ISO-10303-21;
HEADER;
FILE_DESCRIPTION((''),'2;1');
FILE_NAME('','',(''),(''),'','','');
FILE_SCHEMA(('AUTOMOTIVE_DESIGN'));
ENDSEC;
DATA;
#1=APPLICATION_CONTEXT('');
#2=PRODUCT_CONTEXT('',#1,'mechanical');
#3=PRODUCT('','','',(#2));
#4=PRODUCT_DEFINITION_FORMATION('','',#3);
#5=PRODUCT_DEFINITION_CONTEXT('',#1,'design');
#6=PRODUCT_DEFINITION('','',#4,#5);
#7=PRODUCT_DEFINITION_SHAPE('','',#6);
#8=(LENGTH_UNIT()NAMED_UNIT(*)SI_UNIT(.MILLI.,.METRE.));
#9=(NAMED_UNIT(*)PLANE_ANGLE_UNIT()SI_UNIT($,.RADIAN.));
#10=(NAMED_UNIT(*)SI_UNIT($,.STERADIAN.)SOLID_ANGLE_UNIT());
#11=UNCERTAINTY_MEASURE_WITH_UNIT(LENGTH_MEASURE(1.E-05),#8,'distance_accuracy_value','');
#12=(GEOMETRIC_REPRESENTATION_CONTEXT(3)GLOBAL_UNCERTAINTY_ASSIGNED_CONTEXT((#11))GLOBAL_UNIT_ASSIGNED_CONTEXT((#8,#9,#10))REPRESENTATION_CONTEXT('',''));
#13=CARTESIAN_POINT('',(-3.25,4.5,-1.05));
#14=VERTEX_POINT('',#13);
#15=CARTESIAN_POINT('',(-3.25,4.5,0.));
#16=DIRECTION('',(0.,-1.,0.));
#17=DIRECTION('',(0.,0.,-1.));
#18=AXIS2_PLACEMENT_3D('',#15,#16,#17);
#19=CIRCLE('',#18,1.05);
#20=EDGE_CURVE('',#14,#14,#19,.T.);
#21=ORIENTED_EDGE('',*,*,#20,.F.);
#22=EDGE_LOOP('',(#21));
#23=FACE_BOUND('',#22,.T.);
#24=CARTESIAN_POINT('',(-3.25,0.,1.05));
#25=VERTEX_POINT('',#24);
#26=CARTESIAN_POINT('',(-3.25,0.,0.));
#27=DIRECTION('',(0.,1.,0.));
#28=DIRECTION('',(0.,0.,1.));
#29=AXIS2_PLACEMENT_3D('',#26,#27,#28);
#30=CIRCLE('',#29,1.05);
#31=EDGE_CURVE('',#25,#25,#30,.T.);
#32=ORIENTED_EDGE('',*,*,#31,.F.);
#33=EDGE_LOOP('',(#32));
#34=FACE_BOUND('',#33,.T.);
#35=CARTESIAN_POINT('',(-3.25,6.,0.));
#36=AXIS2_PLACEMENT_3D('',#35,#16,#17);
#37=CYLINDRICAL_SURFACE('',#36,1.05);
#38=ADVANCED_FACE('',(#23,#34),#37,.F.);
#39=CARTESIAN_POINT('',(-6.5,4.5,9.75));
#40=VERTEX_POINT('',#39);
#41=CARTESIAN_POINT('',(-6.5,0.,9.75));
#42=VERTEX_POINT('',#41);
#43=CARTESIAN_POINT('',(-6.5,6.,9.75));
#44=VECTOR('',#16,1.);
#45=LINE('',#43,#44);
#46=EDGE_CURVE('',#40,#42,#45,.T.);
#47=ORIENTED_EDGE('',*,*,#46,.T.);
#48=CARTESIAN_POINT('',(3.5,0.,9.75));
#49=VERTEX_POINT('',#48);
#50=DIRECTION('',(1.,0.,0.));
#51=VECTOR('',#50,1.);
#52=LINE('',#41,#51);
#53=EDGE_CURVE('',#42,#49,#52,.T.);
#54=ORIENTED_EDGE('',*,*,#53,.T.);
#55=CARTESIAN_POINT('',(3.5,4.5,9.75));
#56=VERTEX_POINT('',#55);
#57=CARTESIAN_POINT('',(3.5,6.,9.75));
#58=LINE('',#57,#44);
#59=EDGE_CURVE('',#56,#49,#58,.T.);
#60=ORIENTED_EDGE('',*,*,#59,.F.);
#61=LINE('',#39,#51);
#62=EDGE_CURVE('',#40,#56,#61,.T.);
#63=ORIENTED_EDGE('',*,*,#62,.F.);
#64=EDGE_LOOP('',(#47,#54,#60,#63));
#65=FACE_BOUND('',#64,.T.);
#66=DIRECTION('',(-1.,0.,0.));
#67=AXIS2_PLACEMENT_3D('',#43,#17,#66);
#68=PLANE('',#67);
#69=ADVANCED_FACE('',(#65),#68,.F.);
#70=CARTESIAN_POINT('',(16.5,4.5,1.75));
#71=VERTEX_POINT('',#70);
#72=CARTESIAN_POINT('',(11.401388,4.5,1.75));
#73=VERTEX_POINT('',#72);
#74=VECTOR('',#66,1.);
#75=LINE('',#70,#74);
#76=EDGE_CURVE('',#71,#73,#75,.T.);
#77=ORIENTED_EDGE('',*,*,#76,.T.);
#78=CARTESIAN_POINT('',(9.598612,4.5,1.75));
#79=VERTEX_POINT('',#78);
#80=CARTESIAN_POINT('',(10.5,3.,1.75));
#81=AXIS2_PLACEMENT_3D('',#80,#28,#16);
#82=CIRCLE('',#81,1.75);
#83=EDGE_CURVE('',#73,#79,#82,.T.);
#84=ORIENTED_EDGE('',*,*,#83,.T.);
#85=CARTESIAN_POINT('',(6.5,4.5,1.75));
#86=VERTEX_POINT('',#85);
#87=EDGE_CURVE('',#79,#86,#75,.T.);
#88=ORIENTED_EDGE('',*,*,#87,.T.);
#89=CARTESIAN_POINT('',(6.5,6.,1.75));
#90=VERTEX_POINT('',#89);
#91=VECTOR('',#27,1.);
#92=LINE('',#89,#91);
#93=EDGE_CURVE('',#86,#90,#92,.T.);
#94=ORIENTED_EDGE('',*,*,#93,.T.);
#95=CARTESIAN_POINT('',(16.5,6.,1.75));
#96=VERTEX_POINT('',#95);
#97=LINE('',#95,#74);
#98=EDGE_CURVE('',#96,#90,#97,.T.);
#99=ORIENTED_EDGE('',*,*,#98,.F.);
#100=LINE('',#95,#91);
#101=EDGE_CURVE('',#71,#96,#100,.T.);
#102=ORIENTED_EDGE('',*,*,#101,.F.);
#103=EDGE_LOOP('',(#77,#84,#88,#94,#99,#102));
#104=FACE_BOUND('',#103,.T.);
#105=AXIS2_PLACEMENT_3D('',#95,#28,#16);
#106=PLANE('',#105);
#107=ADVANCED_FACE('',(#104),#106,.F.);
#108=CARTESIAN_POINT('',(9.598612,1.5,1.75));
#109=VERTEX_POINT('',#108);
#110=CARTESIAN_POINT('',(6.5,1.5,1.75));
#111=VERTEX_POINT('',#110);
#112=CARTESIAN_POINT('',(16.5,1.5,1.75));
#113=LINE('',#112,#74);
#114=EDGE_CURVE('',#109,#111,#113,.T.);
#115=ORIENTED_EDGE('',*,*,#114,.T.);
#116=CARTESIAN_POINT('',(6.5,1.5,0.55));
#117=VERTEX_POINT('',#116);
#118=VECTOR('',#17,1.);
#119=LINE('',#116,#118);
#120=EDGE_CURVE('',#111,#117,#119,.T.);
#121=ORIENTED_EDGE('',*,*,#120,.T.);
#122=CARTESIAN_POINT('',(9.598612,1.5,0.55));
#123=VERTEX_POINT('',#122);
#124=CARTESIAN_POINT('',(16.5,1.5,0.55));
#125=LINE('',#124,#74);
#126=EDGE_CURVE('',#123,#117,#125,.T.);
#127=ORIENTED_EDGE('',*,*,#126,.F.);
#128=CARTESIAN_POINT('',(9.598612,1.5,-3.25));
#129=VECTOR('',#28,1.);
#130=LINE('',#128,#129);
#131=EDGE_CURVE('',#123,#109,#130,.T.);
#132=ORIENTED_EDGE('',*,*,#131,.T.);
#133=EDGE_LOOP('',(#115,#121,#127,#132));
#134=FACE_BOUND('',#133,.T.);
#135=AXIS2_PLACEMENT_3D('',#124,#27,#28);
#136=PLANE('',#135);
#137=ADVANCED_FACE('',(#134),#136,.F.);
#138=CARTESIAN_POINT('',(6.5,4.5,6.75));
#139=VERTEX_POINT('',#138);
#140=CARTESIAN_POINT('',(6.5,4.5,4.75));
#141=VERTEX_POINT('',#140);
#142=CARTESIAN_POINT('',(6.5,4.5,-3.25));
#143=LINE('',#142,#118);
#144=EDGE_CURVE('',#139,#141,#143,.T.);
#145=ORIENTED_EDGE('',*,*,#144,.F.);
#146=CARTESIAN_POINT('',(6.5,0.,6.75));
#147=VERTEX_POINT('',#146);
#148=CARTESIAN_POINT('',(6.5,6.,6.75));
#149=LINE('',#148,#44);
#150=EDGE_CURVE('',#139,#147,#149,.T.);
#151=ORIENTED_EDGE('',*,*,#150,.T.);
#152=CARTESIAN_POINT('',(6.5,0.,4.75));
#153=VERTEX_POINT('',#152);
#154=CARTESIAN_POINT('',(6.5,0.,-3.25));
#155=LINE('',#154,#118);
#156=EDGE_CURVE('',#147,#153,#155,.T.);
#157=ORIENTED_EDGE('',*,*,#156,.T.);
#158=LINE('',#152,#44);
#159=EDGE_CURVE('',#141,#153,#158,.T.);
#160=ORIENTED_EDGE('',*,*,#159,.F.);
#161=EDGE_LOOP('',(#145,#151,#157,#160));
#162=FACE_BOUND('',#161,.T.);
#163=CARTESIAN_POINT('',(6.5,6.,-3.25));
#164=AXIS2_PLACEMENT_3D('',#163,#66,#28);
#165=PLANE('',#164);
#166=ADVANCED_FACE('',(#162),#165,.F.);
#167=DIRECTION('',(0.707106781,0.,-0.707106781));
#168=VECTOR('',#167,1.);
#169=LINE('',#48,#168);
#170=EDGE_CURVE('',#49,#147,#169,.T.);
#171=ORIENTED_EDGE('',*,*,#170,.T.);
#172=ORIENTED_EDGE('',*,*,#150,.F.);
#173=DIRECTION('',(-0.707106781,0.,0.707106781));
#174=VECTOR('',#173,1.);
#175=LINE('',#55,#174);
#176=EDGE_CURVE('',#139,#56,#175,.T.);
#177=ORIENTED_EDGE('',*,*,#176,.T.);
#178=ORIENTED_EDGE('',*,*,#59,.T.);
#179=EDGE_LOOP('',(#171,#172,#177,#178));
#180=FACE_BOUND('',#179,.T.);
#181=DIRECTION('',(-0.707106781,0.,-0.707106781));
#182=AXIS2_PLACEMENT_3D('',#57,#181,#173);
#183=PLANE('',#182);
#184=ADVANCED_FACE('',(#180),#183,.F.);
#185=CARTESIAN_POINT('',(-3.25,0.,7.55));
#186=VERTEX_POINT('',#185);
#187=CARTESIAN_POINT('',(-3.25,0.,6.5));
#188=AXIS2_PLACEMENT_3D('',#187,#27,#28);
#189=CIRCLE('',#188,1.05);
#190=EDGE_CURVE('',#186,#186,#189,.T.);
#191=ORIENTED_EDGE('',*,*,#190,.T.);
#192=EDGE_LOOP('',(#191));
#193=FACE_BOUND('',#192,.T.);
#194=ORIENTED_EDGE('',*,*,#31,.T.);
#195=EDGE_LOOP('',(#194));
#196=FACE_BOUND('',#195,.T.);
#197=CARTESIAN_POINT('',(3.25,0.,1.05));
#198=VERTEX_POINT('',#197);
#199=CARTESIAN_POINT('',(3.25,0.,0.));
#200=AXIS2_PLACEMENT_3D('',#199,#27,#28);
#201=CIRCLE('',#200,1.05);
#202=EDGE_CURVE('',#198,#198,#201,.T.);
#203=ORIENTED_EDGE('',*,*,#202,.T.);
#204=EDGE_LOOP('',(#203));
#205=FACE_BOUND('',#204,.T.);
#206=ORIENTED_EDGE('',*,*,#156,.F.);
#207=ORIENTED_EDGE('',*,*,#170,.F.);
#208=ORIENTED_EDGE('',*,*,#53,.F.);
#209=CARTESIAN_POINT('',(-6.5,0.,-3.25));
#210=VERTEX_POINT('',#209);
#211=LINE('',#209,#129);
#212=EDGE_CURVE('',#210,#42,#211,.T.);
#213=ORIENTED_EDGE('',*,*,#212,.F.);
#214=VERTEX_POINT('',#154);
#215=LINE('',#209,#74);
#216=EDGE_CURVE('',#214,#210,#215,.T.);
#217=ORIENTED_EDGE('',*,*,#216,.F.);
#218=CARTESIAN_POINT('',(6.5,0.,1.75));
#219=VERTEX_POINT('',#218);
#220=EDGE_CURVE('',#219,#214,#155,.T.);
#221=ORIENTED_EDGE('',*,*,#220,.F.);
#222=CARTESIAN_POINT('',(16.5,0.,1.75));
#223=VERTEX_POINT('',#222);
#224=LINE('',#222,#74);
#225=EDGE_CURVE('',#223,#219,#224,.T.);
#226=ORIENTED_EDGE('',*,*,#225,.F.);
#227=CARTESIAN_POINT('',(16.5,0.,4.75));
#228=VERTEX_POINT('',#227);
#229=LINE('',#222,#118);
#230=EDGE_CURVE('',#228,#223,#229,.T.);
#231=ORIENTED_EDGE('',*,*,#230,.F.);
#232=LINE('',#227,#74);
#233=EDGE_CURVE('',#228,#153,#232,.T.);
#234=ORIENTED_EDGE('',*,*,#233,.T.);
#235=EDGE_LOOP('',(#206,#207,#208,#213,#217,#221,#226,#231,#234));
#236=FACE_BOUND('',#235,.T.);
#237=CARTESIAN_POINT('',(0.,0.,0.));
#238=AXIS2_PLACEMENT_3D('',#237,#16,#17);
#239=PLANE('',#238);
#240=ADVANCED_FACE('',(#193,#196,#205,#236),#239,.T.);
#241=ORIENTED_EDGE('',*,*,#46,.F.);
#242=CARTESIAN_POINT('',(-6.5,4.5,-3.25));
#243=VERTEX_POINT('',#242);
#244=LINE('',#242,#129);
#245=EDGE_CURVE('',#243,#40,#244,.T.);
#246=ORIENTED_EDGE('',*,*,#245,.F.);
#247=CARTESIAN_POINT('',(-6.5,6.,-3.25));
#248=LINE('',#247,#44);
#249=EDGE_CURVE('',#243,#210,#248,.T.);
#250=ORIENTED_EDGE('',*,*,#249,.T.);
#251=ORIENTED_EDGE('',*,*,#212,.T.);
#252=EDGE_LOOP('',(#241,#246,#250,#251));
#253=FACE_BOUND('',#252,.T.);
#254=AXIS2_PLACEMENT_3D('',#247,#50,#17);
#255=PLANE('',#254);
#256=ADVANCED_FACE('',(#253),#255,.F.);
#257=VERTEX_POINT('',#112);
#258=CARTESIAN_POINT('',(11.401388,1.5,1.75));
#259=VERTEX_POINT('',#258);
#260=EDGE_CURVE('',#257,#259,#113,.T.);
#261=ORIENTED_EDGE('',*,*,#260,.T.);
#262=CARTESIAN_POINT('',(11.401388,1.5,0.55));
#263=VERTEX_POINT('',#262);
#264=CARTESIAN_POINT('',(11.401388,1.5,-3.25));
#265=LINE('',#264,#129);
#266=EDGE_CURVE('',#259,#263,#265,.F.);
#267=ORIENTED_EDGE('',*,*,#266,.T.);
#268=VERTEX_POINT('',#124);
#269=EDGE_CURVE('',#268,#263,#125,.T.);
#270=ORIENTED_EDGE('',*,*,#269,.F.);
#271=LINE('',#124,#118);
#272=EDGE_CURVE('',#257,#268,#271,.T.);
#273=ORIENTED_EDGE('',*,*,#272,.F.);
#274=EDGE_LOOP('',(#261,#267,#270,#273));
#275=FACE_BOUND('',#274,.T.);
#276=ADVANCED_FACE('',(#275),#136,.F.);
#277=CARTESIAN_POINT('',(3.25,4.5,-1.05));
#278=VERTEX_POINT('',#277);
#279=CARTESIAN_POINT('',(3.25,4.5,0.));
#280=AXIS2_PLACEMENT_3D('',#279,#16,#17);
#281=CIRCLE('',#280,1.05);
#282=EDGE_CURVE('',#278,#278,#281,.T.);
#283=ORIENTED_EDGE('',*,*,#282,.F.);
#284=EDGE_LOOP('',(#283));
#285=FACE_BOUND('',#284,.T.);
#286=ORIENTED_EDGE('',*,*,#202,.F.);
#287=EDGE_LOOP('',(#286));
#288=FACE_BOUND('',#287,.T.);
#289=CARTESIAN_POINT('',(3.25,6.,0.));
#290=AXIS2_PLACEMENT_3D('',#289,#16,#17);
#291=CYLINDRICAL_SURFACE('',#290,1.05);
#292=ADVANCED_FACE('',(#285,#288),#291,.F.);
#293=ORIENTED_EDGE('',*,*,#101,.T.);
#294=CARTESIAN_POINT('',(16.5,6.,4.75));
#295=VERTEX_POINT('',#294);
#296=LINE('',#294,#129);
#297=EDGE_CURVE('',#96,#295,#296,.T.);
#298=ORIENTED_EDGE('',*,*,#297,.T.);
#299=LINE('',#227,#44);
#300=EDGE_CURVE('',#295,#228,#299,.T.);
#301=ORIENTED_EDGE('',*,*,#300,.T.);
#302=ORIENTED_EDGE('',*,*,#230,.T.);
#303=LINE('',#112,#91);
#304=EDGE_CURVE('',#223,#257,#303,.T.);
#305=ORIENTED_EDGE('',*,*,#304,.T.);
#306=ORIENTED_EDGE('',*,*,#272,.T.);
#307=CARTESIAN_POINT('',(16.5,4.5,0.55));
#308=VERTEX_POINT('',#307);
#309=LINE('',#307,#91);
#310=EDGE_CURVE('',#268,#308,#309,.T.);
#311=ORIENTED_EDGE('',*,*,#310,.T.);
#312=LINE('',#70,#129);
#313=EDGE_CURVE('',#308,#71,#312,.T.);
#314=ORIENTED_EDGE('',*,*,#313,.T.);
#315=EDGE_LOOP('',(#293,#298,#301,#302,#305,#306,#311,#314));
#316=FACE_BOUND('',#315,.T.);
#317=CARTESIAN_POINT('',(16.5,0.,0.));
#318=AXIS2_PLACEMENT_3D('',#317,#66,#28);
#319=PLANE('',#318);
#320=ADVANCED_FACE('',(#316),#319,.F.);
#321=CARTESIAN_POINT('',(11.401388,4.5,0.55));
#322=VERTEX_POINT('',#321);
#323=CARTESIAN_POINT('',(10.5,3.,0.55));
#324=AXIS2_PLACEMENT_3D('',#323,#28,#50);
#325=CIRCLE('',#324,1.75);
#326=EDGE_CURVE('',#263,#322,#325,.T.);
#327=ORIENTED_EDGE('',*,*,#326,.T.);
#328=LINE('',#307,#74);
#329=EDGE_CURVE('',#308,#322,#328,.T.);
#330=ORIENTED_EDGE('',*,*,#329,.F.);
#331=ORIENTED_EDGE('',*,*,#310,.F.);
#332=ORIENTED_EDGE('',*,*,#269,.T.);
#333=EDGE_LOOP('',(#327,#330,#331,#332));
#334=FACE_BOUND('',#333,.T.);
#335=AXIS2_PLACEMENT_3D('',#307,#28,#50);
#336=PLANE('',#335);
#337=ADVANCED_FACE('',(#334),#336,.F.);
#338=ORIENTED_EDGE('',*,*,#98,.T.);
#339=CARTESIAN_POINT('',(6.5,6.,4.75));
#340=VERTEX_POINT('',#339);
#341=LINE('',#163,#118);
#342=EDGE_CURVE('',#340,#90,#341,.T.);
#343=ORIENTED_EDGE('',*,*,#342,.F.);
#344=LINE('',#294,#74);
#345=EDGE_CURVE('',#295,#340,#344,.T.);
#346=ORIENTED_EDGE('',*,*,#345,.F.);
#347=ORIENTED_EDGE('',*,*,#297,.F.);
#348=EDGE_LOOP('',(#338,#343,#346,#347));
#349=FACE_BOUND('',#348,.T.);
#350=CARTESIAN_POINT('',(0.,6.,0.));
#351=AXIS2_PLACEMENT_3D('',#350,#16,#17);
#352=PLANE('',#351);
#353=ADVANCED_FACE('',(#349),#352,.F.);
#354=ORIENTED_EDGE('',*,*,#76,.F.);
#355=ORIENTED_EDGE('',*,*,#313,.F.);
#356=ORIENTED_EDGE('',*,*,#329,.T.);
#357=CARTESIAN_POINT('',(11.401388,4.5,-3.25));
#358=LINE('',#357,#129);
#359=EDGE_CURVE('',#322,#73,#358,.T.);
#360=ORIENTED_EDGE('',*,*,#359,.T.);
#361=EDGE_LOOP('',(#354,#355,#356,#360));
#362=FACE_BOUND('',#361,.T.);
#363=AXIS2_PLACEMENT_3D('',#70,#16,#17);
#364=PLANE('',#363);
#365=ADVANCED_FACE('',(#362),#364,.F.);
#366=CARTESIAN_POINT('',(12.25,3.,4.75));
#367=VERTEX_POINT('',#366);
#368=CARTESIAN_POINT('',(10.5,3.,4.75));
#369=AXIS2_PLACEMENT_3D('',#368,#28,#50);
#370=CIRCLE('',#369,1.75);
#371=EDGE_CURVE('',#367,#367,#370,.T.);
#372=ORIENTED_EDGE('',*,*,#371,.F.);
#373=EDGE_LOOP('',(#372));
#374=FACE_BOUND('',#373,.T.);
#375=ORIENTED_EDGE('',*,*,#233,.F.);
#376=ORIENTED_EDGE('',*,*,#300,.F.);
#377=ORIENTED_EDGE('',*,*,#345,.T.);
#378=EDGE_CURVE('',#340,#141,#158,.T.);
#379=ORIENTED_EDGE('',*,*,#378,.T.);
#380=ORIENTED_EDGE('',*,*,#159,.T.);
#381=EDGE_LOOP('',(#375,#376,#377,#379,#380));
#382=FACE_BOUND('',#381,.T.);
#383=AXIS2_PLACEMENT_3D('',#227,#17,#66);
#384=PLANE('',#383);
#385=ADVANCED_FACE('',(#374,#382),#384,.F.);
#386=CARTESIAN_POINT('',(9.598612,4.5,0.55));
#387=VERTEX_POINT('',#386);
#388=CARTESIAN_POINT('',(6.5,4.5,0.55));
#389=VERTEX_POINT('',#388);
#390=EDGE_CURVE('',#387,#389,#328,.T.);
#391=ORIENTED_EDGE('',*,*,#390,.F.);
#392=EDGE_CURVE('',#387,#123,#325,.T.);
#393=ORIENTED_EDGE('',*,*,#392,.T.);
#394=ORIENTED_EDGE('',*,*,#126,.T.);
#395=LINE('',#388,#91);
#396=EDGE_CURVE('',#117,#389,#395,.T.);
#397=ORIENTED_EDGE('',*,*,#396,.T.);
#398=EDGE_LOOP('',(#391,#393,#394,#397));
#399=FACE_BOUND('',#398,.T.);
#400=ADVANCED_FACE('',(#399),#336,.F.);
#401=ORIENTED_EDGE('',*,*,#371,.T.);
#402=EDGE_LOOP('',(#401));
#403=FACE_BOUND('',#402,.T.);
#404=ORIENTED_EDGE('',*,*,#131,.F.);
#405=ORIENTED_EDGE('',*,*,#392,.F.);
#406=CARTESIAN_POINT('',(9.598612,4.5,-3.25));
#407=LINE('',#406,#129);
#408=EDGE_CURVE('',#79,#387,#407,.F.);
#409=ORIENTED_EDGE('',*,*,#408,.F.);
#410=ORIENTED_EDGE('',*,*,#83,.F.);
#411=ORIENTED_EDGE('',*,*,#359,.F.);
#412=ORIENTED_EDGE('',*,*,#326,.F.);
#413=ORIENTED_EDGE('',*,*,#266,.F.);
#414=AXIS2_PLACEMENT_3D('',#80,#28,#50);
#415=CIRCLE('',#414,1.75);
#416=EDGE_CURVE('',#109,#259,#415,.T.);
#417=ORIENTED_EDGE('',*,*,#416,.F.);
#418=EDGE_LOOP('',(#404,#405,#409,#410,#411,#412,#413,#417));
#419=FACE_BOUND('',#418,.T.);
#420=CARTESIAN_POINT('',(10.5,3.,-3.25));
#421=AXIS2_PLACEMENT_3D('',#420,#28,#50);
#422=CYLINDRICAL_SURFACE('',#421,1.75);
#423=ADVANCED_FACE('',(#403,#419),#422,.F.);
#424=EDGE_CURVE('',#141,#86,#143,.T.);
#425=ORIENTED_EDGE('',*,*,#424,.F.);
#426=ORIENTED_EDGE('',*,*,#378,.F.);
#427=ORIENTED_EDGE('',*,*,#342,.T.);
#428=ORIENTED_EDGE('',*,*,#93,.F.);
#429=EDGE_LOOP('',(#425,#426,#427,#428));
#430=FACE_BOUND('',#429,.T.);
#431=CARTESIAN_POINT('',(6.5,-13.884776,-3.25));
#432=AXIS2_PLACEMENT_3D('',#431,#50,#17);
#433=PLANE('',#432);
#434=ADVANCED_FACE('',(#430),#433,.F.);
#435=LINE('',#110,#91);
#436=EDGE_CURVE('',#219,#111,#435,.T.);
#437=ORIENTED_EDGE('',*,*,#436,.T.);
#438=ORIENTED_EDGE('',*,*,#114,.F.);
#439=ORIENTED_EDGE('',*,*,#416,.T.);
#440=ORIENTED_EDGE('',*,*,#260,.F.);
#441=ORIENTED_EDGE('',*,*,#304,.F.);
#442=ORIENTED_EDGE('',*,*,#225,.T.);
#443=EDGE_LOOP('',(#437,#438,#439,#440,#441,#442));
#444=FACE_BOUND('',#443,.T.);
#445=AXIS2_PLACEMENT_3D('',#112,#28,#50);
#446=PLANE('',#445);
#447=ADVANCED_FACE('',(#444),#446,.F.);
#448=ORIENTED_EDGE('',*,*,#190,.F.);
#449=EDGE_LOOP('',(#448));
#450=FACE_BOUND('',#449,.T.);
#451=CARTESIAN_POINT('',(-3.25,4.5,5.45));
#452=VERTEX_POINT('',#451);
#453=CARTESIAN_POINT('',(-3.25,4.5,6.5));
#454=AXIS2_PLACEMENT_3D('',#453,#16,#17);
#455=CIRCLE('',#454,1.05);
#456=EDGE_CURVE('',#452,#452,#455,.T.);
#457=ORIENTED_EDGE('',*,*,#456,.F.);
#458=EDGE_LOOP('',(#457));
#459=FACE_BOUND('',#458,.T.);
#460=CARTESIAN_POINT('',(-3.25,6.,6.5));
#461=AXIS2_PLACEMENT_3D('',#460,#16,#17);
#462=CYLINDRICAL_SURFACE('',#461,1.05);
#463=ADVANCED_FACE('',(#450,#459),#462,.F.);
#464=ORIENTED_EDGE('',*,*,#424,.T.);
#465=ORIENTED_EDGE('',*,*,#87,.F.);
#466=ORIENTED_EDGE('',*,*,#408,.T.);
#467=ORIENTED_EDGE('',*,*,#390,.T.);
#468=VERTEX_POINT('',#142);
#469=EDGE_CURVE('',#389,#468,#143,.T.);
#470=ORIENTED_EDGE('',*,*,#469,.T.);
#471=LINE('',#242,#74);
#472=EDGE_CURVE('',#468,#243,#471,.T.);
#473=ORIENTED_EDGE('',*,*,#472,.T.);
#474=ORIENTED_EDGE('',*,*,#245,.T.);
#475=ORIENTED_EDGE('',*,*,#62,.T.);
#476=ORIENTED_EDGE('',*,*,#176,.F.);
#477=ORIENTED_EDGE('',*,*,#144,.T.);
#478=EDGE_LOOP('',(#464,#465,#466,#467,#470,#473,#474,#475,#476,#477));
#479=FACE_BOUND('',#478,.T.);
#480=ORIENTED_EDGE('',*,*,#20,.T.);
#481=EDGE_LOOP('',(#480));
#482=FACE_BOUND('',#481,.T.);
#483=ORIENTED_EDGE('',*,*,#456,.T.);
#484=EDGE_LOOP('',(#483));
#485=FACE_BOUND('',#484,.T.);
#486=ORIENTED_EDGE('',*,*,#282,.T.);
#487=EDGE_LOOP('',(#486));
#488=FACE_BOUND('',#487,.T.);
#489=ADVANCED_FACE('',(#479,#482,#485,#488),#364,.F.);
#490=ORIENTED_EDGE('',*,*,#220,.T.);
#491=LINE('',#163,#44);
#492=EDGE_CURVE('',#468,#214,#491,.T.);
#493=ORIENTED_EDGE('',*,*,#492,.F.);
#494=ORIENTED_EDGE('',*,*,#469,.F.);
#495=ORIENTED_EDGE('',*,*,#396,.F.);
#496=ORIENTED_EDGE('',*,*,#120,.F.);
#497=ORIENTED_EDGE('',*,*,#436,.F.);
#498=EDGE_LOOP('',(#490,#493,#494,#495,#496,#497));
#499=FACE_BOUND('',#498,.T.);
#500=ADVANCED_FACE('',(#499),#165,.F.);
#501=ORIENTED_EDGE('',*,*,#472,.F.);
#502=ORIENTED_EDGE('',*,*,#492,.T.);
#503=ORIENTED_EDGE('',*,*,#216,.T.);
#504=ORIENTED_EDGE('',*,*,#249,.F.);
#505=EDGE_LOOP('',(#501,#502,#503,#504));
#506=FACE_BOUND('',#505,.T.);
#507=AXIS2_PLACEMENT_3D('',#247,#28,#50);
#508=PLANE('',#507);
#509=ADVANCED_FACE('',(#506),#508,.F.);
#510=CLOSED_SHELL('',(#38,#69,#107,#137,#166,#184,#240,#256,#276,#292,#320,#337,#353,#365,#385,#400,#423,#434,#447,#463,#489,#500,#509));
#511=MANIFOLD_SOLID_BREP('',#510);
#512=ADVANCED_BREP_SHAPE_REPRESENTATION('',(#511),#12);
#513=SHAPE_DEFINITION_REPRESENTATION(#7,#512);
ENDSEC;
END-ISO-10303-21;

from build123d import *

# Parameters (mm, degrees)
SKETCH_2_R          = 1.05
EXTRUDE_1_DEPTH     = 6
EXTRUDE_3_DEPTH     = 10
SKETCH_5_R          = 1.75
CUT_EXTRUDE_1_DEPTH = 20.293781382
SKETCH_6_W          = 13
SKETCH_6_H          = 13
CUT_EXTRUDE_2_DEPTH = 1.5


with BuildPart() as part:
    # 草图2 → 凸台-拉伸1 (new body)
    with BuildSketch(Plane(origin=(0, 0, 0), x_dir=(1, 0, 0), z_dir=(0, 1, 0))):
        Polygon((-6.5, 3.25), (6.5, 3.25), (6.5, -6.75), (3.5, -9.75), (-6.5, -9.75), align=None)
        with Locations(Location((-3.25, 0, 0), (0, 0, 270))):
            Circle(SKETCH_2_R, mode=Mode.SUBTRACT)
        with Locations(Location((3.25, 0, 0), (0, 0, 270))):
            Circle(SKETCH_2_R, mode=Mode.SUBTRACT)
        with Locations(Location((-3.25, -6.5, 0), (0, 0, 270))):
            Circle(SKETCH_2_R, mode=Mode.SUBTRACT)
    extrude(amount=EXTRUDE_1_DEPTH)

    # 草图4 → 凸台-拉伸3 (add)
    with BuildSketch(Plane(origin=(6.5, 0, 11.5), x_dir=(0, 0, -1), z_dir=(1, 0, 0))):
        Polygon((9.75, 6), (9.75, 4.5), (10.95, 4.5), (10.95, 1.5), (9.75, 1.5), (9.75, 0), (6.75, 0), (6.75, 6), align=None)
    extrude(amount=EXTRUDE_3_DEPTH)

    # 草图5 → 切除-拉伸1 (cut, through all)
    with BuildSketch(Plane.XY.offset(4.75)):
        with Locations((10.5, 3)):
            Circle(SKETCH_5_R)
    extrude(amount=-CUT_EXTRUDE_1_DEPTH, mode=Mode.SUBTRACT)

    # 草图6 → 切除-拉伸2 (cut)
    with BuildSketch(Plane(origin=(0, 6, 0), x_dir=(1, 0, 0), z_dir=(0, 1, 0))):
        with Locations((0, -3.25)):
            Rectangle(SKETCH_6_W, SKETCH_6_H)
    extrude(amount=-CUT_EXTRUDE_2_DEPTH, mode=Mode.SUBTRACT)


solid = part.part
